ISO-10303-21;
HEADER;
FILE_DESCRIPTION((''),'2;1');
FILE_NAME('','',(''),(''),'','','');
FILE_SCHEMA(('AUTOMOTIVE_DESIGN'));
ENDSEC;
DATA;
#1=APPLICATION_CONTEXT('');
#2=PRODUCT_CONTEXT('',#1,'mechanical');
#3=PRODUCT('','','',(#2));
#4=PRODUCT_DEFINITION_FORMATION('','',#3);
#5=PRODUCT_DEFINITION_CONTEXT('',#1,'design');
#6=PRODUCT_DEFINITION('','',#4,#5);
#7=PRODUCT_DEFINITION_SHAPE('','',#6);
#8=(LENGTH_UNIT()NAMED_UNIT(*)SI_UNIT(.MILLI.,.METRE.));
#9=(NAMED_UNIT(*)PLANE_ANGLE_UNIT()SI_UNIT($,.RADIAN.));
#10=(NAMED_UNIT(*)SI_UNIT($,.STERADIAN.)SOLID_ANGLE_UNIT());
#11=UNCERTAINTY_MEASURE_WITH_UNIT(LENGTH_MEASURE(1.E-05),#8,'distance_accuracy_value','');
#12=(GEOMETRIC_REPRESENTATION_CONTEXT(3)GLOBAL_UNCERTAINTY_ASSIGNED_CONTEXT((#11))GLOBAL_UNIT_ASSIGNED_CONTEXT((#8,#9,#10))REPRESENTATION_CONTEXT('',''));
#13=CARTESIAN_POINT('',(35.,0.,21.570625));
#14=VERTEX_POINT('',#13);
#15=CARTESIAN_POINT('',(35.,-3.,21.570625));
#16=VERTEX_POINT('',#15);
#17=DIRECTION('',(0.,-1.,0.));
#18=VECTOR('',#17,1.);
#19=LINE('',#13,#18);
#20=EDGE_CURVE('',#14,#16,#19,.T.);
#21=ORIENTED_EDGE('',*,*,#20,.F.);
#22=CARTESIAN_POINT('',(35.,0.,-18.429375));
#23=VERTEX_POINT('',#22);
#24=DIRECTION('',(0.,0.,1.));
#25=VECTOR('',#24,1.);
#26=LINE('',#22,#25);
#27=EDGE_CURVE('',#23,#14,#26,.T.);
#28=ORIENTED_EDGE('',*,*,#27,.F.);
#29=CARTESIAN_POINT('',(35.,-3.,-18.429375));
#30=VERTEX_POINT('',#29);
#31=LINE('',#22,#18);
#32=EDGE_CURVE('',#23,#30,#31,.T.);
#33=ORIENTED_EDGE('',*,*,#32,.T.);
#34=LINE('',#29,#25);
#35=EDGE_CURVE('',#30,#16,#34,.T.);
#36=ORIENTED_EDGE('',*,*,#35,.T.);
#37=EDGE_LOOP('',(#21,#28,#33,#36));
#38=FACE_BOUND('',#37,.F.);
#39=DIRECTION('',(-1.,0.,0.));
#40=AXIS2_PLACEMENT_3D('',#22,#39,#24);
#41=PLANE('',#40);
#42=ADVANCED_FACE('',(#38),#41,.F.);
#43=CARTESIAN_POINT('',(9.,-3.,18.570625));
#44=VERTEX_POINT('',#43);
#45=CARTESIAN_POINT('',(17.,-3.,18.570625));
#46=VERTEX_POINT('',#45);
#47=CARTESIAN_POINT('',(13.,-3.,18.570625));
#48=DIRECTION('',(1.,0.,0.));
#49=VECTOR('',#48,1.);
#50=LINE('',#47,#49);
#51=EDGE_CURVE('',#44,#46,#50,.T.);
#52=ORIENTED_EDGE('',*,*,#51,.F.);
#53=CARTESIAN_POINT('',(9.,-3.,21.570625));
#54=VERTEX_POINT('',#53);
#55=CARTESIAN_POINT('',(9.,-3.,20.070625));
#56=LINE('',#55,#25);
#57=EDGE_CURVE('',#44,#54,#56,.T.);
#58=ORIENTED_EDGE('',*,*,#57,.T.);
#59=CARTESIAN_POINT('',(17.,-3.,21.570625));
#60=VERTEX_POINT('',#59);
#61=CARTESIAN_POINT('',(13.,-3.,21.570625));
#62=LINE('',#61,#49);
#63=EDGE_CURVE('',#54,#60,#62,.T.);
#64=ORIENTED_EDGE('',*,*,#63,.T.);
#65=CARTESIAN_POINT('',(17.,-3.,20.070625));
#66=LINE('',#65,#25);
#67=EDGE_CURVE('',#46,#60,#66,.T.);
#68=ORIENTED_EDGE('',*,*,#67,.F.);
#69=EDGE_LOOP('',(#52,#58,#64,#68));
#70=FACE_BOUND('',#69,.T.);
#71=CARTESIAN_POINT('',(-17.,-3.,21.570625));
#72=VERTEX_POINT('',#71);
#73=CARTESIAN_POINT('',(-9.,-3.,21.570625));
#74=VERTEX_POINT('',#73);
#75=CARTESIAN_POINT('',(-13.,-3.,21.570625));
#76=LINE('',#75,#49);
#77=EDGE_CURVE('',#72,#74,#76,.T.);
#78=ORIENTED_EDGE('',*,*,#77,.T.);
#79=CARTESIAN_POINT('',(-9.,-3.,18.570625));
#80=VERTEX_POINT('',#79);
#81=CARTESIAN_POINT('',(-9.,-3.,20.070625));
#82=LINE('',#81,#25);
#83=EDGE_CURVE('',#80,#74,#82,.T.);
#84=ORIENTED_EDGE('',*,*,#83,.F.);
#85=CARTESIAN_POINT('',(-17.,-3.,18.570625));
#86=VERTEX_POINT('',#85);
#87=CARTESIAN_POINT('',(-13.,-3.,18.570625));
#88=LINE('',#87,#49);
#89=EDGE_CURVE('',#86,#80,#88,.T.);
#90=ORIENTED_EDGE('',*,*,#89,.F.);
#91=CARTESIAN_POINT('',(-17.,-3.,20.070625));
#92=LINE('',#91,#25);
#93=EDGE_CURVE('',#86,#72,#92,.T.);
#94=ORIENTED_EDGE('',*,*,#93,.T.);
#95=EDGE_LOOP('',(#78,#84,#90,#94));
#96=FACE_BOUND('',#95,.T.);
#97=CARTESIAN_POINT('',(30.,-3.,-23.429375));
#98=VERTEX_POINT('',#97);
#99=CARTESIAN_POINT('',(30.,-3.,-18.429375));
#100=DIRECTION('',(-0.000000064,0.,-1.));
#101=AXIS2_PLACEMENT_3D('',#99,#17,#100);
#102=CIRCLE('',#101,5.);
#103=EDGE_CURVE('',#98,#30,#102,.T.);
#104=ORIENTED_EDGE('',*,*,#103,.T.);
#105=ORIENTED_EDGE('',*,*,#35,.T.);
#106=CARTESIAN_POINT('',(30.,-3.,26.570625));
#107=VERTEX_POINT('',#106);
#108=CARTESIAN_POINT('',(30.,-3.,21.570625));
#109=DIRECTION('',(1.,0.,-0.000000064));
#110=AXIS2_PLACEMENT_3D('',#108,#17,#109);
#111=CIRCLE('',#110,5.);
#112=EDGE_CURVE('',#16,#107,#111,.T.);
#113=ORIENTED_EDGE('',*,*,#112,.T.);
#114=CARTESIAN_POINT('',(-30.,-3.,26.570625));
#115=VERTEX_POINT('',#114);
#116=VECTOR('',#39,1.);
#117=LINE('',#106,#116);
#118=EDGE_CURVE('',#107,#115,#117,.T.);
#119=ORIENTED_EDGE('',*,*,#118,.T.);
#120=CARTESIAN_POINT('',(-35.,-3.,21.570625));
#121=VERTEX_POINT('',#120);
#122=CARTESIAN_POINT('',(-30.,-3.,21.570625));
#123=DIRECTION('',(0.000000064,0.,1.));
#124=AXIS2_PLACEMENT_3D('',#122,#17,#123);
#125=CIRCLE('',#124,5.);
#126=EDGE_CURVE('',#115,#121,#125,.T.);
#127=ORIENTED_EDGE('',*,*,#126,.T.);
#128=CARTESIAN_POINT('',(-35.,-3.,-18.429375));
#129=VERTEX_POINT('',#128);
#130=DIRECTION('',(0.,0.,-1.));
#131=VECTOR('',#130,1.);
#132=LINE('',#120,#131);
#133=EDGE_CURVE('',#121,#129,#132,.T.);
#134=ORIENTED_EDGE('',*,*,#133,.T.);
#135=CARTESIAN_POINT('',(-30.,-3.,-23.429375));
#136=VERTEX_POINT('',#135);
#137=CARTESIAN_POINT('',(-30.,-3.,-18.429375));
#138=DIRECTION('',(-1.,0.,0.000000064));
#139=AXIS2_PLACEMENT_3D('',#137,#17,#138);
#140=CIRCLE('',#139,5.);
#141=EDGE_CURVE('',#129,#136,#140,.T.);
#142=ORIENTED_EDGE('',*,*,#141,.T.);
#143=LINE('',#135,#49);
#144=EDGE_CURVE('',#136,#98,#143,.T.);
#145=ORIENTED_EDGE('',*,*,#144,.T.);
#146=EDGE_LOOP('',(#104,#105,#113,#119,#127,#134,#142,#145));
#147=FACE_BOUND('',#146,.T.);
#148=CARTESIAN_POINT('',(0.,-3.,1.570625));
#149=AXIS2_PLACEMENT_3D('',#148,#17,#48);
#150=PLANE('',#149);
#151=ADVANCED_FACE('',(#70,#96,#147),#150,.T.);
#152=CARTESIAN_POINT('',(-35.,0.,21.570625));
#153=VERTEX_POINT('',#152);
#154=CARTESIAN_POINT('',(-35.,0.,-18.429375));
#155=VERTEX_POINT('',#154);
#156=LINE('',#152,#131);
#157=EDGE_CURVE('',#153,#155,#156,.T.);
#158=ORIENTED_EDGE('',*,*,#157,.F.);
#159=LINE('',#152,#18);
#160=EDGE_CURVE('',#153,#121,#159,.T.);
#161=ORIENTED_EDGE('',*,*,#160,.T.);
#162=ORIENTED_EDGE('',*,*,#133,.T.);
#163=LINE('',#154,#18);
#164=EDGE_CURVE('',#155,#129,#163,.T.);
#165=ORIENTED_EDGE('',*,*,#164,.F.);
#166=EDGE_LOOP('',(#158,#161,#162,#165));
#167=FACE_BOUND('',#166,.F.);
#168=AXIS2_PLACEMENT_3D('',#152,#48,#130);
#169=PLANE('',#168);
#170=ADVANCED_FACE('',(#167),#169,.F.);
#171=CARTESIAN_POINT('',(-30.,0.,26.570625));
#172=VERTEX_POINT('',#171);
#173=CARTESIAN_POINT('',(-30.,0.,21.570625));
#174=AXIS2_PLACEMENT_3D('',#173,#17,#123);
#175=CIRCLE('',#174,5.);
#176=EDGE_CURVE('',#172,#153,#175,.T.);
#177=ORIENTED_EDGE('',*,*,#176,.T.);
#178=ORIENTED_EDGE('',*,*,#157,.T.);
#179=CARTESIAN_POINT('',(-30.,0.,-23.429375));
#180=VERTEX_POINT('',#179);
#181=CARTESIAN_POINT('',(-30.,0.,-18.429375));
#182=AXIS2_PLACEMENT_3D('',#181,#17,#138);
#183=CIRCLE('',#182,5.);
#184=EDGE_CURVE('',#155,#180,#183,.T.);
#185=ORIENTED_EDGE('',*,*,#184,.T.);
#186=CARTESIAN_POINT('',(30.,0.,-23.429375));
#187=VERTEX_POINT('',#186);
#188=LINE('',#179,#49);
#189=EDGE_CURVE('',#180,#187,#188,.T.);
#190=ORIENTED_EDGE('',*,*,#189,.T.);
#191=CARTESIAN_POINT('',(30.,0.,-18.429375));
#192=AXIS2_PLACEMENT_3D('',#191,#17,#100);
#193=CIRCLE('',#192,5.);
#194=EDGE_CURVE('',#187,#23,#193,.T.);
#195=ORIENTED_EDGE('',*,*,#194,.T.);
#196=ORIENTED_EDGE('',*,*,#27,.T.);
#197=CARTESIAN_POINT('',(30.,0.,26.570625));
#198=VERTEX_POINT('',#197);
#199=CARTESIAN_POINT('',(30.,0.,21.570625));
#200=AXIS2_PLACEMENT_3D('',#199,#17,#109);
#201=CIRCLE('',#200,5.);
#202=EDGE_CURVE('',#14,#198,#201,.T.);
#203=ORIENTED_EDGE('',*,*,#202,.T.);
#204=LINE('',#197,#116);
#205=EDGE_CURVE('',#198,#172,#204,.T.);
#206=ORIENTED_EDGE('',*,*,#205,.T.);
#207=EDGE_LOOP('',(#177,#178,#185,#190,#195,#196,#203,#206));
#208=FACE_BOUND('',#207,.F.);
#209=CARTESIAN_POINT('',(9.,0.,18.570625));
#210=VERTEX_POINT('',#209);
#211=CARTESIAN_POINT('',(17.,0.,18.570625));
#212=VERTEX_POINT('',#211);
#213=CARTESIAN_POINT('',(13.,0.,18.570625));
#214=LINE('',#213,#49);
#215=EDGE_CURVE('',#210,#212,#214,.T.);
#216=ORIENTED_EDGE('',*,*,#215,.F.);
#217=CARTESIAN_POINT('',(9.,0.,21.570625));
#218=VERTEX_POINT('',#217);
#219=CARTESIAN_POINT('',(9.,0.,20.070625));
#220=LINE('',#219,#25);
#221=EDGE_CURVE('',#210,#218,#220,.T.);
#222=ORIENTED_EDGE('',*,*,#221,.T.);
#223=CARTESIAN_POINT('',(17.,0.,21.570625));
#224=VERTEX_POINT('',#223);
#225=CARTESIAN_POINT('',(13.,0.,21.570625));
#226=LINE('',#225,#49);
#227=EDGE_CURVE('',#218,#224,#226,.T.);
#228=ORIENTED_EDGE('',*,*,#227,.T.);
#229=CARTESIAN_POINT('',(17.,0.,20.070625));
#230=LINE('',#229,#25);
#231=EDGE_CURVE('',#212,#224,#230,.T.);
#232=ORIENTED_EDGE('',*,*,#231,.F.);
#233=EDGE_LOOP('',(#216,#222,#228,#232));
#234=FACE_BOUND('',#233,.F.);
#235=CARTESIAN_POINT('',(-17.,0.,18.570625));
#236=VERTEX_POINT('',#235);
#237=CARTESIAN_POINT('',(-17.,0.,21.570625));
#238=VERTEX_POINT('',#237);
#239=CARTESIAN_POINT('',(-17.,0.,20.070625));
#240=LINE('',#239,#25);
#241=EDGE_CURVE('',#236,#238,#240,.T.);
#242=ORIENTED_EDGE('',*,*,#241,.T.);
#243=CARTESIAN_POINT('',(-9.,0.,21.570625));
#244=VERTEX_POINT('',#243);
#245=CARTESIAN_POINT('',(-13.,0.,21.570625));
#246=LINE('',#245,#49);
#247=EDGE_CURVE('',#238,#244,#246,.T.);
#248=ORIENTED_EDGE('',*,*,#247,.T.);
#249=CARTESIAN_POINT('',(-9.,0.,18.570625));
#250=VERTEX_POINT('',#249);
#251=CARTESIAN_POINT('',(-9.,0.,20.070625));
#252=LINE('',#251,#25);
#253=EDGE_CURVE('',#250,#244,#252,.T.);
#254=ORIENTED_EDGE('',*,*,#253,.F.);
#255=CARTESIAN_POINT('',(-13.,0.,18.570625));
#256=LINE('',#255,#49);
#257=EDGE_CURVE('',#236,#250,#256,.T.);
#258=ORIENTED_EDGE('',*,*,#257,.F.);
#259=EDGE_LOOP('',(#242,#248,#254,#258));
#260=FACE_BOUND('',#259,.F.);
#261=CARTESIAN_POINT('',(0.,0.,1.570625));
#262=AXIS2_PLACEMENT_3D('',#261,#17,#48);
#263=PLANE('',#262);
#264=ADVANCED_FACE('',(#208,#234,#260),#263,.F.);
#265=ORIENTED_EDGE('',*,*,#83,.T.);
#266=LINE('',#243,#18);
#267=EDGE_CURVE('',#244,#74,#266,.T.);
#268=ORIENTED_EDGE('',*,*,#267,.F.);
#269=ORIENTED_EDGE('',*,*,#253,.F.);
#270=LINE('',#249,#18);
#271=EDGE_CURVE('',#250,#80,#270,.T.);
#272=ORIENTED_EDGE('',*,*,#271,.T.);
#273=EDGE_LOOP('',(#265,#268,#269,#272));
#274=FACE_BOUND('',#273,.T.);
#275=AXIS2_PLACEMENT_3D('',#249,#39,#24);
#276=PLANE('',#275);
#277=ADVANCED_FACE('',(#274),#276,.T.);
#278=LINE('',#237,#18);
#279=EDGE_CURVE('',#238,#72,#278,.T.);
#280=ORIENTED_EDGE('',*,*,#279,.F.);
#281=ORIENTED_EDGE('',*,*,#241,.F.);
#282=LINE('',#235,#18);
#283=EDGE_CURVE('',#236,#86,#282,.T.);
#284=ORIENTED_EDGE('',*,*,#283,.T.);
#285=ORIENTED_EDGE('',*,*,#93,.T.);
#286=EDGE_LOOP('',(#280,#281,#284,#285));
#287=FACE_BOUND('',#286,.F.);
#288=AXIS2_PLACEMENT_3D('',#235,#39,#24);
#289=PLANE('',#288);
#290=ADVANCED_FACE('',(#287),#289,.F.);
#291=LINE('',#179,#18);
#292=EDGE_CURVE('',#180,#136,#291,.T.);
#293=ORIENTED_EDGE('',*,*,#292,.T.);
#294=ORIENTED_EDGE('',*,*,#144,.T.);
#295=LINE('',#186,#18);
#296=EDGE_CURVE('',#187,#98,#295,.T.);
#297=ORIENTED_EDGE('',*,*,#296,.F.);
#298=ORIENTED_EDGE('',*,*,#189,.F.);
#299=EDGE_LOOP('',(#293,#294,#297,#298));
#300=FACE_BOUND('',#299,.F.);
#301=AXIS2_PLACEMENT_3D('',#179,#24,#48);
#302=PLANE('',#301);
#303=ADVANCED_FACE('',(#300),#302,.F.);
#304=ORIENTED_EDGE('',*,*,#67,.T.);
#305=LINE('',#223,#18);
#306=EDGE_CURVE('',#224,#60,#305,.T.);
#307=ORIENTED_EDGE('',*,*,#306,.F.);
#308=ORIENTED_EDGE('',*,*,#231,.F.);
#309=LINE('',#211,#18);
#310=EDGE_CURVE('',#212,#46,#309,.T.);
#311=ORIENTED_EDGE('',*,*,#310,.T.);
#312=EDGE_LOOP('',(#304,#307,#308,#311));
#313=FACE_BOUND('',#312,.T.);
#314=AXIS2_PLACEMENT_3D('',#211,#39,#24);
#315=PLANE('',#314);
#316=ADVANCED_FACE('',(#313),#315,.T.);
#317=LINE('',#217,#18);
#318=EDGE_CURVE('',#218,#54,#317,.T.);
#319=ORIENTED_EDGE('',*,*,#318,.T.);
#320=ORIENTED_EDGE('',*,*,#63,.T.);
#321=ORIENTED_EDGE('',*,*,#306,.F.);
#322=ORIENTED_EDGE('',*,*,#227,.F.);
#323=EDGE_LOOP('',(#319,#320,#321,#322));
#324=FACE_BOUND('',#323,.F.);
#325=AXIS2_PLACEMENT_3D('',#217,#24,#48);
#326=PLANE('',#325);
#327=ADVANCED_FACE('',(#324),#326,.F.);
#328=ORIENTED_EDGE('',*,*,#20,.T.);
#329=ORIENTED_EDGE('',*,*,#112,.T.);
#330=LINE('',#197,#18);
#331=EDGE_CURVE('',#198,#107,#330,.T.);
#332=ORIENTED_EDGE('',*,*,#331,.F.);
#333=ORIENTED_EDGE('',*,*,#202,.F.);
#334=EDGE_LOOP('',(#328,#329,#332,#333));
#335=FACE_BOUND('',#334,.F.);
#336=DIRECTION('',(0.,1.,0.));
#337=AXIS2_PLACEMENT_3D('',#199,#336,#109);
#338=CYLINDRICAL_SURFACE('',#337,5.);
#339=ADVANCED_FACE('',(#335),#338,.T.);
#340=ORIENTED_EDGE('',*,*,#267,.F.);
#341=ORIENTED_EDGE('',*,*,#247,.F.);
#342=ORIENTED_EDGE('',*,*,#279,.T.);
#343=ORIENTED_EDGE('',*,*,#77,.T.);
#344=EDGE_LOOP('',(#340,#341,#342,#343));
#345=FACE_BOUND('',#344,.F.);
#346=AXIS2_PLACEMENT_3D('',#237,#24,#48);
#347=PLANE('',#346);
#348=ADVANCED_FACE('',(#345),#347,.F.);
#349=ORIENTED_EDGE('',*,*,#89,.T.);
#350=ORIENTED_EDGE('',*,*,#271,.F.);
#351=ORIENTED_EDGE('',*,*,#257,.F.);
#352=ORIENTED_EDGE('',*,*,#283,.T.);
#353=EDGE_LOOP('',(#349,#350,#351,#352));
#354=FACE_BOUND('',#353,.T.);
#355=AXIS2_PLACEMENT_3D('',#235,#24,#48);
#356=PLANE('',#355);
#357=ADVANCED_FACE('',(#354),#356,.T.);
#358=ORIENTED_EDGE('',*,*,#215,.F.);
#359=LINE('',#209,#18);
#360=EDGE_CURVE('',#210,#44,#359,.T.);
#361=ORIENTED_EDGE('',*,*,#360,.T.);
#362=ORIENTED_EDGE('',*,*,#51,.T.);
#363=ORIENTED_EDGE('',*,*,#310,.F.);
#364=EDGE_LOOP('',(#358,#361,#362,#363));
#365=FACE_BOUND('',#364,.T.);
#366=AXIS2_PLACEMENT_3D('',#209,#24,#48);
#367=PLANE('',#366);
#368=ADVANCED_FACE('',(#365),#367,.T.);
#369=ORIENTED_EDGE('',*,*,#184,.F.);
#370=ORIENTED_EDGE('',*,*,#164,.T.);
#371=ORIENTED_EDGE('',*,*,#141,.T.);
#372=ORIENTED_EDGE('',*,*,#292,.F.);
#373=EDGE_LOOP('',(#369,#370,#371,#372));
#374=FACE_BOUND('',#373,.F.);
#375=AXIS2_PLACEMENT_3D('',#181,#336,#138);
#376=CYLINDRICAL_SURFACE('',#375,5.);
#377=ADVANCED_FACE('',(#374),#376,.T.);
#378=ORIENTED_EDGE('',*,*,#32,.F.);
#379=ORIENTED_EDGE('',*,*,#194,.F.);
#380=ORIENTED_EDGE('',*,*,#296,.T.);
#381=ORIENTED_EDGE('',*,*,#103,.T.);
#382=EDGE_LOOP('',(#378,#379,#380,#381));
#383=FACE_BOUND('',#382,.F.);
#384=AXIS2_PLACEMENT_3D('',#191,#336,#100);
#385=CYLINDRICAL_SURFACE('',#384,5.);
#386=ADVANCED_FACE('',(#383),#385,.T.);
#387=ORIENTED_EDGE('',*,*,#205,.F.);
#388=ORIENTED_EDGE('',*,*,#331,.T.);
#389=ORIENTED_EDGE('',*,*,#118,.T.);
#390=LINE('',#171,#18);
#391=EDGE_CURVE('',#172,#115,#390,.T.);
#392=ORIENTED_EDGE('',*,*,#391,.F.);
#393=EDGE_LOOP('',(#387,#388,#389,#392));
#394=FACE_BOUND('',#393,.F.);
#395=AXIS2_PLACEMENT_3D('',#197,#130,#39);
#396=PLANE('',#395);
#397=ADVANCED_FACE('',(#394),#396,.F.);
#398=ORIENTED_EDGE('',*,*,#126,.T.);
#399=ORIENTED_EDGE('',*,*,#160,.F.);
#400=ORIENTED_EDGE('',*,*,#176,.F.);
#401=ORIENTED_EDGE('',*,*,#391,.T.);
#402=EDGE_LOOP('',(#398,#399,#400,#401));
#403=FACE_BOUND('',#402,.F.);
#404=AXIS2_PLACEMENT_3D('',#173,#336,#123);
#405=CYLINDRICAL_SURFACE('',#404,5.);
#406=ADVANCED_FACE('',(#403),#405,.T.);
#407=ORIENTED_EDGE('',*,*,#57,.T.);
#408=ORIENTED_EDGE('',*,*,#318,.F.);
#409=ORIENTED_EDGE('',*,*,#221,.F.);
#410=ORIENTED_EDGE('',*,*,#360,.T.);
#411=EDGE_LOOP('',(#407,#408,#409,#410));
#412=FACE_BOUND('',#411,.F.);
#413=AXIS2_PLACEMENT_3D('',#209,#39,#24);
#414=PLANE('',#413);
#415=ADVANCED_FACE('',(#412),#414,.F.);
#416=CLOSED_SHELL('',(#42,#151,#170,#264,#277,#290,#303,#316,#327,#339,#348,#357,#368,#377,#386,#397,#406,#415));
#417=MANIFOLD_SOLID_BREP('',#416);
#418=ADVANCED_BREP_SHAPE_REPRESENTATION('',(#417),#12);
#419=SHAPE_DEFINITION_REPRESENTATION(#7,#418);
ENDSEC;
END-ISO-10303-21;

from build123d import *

# Parameters (mm, degrees)
F0_W     = 8
F0_H     = 3
F1_DEPTH = 3


with BuildPart() as f1:
    # F0 (on Front) → F1 (new body)
    with BuildSketch(Plane.XZ):
        with BuildLine():
            Line((30, 26.570625), (-30, 26.570625))
            ThreePointArc((-30, 26.570625), (-33.535534, 25.106159), (-35, 21.570625))
            Line((-35, 21.570625), (-35, -18.429375))
            ThreePointArc((-35, -18.429375), (-33.535534, -21.964909), (-30, -23.429375))
            Line((-30, -23.429375), (30, -23.429375))
            ThreePointArc((30, -23.429375), (33.535534, -21.964909), (35, -18.429375))
            Line((35, -18.429375), (35, 21.570625))
            ThreePointArc((35, 21.570625), (33.535534, 25.106159), (30, 26.570625))
        make_face()
        with Locations((-13, 20.070625)):
            Rectangle(F0_W, F0_H, mode=Mode.SUBTRACT)
        with Locations((13, 20.070625)):
            Rectangle(F0_W, F0_H, mode=Mode.SUBTRACT)
    extrude(amount=F1_DEPTH)


solid = f1.part
